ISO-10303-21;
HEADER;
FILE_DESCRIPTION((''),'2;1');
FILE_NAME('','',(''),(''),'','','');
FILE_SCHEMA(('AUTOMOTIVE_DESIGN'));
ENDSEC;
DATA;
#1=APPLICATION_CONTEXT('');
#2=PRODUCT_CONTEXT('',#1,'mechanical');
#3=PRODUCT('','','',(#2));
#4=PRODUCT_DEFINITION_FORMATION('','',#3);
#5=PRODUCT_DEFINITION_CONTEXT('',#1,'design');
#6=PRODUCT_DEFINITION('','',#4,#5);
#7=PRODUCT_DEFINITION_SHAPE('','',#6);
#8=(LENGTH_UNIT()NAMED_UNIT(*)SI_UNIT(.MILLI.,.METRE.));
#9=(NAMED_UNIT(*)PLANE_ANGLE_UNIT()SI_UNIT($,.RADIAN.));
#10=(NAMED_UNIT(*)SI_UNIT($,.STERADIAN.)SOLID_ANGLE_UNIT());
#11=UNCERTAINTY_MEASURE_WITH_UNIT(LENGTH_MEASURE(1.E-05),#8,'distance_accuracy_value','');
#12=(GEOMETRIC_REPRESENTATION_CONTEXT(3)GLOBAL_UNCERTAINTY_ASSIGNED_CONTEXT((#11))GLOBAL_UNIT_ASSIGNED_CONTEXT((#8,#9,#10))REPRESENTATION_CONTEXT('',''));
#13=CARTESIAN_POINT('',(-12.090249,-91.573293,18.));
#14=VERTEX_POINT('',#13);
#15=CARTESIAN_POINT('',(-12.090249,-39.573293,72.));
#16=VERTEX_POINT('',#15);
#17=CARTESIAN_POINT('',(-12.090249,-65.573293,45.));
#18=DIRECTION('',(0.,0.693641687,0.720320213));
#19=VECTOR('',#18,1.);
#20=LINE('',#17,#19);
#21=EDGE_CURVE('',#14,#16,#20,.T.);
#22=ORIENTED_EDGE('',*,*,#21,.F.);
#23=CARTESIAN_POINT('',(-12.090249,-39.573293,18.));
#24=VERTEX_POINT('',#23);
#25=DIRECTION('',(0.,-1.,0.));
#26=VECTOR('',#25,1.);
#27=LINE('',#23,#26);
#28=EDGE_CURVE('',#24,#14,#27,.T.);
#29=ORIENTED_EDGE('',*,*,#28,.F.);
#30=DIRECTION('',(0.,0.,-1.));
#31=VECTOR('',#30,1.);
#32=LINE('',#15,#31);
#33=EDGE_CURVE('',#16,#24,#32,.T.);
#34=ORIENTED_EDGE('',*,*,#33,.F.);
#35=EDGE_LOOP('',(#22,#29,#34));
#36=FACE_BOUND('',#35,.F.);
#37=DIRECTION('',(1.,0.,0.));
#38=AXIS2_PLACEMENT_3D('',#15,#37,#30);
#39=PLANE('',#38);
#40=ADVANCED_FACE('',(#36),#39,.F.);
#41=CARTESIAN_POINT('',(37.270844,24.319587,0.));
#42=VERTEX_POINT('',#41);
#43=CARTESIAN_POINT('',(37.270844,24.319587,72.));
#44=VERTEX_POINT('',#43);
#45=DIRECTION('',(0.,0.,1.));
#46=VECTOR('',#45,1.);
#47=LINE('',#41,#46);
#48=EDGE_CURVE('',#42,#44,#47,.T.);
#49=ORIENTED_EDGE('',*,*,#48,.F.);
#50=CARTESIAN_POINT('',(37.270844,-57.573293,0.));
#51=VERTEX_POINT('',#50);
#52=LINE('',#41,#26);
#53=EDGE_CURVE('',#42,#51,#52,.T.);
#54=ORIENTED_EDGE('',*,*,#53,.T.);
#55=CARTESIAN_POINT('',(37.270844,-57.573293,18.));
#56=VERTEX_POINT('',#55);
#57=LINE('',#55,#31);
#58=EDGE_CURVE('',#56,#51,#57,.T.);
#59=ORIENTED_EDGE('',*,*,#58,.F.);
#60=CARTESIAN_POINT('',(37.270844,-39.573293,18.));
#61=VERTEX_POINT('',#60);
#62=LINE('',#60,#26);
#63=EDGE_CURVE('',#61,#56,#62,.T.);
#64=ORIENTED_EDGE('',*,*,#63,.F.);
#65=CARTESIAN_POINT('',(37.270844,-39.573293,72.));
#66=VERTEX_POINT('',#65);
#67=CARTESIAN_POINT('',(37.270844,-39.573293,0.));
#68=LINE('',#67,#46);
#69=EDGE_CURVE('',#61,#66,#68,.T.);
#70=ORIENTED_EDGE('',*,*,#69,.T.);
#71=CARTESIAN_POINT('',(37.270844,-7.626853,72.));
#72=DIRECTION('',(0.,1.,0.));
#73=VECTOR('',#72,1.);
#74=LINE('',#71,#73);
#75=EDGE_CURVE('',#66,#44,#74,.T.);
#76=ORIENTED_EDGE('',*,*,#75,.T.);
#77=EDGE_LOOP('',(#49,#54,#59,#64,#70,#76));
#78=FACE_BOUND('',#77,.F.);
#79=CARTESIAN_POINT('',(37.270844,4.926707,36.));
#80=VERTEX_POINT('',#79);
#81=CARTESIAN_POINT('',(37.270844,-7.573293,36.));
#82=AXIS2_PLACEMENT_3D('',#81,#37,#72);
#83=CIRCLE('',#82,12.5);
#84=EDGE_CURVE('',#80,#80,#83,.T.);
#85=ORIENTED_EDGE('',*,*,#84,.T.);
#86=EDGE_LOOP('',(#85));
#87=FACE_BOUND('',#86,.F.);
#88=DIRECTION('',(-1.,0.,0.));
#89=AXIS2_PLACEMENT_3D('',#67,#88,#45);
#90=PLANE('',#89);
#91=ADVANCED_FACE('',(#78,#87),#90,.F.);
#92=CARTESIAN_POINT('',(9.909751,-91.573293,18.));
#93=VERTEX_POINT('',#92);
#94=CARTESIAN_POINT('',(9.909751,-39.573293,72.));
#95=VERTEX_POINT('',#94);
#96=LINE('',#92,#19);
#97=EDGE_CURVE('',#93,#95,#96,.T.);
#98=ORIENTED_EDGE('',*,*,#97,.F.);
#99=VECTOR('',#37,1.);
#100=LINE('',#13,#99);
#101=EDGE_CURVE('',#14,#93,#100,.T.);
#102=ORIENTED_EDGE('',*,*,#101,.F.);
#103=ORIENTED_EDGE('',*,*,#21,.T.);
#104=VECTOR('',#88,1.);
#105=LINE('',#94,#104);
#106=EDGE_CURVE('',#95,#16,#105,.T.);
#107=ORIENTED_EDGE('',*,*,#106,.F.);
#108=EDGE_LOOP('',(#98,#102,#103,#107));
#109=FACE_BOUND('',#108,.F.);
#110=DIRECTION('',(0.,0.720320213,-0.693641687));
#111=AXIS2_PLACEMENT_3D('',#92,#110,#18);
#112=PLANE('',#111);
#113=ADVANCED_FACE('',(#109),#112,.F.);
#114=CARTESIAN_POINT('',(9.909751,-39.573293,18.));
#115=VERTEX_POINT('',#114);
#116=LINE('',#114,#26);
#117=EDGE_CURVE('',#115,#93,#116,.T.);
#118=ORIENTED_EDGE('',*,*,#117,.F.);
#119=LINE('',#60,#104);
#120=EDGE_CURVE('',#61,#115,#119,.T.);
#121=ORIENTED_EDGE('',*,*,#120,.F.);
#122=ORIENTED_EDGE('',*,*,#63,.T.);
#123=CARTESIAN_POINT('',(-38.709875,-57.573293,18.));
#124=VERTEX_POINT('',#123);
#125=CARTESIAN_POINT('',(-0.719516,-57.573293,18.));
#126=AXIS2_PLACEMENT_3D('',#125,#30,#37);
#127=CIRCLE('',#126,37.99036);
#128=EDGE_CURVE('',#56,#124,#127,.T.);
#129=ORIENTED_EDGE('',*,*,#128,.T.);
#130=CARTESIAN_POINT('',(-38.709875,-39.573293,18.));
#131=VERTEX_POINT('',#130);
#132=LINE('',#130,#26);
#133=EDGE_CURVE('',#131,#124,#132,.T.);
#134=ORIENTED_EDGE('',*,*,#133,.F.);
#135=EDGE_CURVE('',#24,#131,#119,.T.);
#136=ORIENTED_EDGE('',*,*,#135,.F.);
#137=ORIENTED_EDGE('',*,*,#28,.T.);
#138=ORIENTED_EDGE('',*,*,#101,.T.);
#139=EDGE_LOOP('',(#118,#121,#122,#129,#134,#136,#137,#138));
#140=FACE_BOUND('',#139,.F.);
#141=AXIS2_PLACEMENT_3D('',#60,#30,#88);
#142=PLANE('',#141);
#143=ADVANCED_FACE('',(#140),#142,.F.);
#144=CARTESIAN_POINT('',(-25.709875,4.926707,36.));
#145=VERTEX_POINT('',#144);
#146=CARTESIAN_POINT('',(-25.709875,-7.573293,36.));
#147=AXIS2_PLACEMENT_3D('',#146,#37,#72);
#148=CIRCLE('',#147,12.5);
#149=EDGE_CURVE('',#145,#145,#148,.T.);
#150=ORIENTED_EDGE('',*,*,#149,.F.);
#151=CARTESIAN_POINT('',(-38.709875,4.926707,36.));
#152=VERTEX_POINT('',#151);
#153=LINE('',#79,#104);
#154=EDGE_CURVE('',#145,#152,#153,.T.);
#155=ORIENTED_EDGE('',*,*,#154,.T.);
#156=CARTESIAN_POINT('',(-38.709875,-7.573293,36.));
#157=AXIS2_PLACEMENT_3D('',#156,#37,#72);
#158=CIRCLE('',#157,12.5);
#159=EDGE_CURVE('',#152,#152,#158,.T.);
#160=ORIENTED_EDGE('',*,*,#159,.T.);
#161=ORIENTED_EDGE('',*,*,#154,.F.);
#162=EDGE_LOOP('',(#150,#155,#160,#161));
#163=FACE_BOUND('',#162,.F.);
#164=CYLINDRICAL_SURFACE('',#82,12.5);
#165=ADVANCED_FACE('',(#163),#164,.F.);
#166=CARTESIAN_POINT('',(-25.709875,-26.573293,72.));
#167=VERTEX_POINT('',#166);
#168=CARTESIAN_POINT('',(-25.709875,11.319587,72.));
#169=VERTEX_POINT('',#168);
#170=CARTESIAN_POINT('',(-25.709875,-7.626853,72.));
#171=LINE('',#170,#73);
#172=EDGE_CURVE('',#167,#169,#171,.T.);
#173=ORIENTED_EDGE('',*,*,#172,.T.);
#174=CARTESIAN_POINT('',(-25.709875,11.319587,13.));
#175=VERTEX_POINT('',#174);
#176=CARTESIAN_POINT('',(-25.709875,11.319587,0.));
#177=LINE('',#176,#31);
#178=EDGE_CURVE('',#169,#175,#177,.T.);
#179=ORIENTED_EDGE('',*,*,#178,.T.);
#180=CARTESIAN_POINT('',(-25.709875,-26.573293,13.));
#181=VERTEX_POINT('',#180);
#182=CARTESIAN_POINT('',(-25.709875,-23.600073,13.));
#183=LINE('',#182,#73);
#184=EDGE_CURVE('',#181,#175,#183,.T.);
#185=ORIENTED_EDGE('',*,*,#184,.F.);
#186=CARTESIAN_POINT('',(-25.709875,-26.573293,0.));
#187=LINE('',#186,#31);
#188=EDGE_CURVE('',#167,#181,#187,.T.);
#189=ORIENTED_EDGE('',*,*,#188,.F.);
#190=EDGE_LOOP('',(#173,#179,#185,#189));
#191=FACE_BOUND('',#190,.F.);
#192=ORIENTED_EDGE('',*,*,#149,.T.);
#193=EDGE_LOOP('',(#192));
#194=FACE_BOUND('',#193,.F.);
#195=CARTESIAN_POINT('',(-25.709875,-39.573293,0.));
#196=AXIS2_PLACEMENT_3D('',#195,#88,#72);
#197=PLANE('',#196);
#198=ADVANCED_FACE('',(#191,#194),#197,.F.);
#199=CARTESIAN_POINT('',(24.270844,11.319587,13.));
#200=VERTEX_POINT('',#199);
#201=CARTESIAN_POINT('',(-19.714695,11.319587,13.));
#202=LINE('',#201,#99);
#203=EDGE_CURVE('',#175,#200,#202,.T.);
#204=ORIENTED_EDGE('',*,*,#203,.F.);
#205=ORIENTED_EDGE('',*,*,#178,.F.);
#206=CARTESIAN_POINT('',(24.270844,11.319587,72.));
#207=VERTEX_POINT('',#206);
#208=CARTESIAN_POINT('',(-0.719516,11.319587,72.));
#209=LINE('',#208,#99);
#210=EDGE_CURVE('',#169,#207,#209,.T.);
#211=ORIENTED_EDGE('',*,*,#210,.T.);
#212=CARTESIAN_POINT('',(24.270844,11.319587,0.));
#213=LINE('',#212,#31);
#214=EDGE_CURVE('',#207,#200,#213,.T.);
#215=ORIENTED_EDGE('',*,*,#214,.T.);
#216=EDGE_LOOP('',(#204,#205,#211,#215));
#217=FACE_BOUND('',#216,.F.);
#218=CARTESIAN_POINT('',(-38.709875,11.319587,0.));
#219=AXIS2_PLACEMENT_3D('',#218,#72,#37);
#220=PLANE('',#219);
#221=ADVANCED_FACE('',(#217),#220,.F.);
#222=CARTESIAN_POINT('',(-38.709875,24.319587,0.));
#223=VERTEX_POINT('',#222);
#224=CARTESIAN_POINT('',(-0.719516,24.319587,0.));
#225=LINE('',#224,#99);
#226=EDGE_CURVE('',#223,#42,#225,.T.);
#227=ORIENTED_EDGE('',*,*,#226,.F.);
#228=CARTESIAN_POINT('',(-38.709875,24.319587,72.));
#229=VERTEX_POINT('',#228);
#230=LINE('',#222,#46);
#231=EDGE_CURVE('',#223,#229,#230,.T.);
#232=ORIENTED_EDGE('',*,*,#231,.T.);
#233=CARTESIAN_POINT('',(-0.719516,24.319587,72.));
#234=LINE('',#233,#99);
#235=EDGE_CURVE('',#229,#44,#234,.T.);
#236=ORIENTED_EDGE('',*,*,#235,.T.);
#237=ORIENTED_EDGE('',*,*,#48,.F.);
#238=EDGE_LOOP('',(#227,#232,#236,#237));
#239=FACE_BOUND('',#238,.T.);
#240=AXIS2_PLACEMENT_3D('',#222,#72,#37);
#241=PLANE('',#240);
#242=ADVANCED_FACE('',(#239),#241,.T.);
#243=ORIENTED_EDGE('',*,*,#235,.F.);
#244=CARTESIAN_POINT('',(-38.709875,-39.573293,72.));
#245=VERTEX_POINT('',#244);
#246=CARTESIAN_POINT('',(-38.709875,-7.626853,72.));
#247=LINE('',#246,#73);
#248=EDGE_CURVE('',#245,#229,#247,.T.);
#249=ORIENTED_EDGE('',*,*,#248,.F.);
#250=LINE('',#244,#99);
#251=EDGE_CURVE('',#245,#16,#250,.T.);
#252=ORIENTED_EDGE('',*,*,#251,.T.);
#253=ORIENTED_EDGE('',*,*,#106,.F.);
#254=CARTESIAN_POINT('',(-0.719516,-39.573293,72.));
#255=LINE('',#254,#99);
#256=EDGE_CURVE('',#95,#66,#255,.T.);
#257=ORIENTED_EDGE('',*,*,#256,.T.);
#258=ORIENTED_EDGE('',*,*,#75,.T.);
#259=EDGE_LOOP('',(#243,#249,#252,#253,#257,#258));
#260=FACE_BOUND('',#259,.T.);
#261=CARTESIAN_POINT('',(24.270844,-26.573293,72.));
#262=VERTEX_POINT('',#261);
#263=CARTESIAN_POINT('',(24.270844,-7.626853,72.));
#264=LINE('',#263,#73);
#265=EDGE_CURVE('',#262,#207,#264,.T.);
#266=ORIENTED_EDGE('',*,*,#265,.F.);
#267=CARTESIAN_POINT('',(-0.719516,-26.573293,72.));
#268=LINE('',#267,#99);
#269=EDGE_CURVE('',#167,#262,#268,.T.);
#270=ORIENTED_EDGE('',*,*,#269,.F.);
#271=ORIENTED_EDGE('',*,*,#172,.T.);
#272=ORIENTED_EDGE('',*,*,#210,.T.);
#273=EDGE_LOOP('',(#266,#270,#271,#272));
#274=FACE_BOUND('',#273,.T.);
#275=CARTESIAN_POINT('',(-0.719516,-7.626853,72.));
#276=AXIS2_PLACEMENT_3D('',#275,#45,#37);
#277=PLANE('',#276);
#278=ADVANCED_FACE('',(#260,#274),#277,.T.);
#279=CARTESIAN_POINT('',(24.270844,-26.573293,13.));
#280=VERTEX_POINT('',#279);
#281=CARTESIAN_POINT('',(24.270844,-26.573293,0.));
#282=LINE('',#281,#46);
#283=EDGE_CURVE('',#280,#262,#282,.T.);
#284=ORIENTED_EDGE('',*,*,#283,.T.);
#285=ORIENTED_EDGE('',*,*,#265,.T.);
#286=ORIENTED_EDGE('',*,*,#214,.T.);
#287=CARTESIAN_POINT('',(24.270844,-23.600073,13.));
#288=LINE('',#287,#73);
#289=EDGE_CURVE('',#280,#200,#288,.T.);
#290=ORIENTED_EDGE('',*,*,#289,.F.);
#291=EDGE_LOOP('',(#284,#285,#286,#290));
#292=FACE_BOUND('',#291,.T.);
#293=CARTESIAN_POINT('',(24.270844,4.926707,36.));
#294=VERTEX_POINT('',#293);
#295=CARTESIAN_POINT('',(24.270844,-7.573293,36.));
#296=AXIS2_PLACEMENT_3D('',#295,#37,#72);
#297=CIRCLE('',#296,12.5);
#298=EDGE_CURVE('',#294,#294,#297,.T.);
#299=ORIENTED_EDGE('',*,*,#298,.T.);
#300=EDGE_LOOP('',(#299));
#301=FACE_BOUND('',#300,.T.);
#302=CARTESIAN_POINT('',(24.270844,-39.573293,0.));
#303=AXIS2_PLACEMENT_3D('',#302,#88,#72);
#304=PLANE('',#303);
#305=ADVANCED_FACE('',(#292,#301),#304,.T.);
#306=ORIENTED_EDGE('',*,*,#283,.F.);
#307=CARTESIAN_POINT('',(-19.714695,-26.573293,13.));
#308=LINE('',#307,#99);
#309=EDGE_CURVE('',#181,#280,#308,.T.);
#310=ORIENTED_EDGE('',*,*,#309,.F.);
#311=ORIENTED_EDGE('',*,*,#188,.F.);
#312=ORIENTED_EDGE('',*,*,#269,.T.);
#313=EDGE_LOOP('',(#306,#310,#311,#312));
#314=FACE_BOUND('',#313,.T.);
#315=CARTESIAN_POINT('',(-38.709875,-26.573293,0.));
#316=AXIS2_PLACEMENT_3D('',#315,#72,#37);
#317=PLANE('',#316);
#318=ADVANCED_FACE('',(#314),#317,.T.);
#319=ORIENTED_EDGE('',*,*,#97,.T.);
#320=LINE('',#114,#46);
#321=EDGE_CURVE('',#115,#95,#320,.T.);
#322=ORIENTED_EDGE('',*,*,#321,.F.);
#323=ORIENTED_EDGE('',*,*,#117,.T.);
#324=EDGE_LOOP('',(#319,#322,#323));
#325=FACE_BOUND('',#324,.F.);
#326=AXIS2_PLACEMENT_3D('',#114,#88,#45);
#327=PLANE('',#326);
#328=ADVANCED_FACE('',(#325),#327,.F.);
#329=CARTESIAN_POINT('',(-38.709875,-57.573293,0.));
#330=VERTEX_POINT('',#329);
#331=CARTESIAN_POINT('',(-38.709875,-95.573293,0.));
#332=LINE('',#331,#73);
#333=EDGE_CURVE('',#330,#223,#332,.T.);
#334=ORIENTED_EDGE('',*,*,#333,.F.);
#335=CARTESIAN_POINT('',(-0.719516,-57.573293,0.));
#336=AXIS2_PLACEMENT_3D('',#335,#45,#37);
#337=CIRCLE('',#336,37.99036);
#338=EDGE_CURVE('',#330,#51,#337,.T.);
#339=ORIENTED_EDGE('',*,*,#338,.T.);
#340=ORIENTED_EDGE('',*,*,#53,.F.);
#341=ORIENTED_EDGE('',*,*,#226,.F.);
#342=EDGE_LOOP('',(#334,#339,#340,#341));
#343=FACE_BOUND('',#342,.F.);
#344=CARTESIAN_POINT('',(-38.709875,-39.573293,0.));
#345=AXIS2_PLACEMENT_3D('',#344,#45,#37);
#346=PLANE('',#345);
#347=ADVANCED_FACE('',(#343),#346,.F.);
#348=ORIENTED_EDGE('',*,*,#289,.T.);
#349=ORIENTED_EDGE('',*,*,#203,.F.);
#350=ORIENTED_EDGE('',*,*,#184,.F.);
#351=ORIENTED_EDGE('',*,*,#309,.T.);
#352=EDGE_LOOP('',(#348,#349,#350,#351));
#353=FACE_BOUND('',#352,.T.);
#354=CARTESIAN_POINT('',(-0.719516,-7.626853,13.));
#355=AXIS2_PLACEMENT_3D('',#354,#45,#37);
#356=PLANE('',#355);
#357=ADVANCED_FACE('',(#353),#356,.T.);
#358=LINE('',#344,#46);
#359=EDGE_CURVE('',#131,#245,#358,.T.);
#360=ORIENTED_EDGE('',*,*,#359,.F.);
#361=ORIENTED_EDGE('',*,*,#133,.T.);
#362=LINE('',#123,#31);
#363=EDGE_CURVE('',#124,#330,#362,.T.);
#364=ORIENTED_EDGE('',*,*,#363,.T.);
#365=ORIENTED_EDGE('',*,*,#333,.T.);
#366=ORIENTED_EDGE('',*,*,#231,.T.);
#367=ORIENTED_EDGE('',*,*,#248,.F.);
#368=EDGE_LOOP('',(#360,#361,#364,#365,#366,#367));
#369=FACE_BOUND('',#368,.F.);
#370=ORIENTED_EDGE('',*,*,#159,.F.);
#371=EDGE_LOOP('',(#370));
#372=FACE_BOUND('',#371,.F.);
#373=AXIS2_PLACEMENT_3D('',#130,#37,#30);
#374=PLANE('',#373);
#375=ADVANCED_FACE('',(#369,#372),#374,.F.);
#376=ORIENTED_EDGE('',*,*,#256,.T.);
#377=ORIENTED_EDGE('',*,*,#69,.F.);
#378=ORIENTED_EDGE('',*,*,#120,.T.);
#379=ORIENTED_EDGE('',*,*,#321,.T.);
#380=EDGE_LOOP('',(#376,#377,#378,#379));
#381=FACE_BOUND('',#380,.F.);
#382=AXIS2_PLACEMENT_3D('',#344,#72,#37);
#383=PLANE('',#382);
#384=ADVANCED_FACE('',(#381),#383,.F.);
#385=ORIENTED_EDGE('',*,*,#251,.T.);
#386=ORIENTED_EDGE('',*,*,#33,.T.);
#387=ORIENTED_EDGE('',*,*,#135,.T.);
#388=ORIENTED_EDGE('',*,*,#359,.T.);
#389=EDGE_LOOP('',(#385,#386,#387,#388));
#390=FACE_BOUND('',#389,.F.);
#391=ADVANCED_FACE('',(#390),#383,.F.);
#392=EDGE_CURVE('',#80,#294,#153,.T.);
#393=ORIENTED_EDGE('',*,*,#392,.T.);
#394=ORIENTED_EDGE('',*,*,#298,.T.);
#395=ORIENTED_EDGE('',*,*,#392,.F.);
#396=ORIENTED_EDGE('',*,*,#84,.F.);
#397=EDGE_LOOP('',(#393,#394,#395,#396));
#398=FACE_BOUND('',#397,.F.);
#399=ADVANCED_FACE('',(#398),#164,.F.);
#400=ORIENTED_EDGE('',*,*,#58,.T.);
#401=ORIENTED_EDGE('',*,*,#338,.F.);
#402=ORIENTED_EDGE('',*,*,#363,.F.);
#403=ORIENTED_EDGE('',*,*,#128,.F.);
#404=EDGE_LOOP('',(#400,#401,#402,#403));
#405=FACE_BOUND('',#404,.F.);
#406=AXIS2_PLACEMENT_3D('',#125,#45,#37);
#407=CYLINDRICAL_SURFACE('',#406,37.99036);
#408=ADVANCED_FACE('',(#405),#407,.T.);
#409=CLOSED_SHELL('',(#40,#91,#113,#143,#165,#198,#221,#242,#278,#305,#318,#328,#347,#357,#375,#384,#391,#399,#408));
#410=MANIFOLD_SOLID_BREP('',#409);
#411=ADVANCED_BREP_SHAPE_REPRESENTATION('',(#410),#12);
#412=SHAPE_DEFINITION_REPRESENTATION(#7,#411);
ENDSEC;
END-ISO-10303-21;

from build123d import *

# Parameters (mm, degrees)
F0_W      = 75.9807191789
F0_H      = 63.8928804547
F1_DEPTH  = 72
F2_T      = -13
F3_R      = 12.5
F4_DEPTH  = 100
F6_DEPTH  = 56
F8_DEPTH  = 52
F10_DEPTH = 25
F12_DEPTH = 25


with BuildPart() as f1:
    # F0 (on Top) → F1 (new body)
    with BuildSketch(Plane.XY):
        with Locations((-0.7195156068, -7.6268529519)):
            Rectangle(F0_W, F0_H)
    extrude(amount=F1_DEPTH)

    # F2
    f2_openings = [f1.faces().sort_by_distance(p)[0] for p in [
        (-0.719516, -7.626853, 72),
    ]]
    offset(amount=F2_T, openings=f2_openings)

    # F3 (on face) → F4 (cut)
    with BuildSketch(Plane.YZ.offset(37.2708439827)):
        with Locations((-7.5732931793, 36)):
            Circle(F3_R)
    extrude(amount=-F4_DEPTH, mode=Mode.SUBTRACT)

    # F5 (on face) → F6 (join)
    with BuildSketch(Plane.XZ.offset(39.5732931793)):
        Polygon((-38.7098751962, 0), (37.2708439827, 0), (37.2708439827, 18), (10.2804843932, 18), (-11.7195156068, 18), (-38.7098751962, 18), align=None)
    extrude(amount=F6_DEPTH)

    # F7 (on face) → F8 (join)
    with BuildSketch(Plane.XZ.offset(39.5732931793)):
        Polygon((-0.7098751962, 72), (-12.0902489871, 72), (-12.0902489871, 18), (9.9097510129, 18), (9.9097510129, 72), align=None)
    extrude(amount=F8_DEPTH)

    # F9 (on face) → F10 (cut)
    with BuildSketch(Plane.YZ.offset(9.9097510129)):
        Polygon((-91.5732931793, 72), (-91.5732931793, 18), (-39.5732931793, 72), align=None)
    extrude(amount=-F10_DEPTH, mode=Mode.SUBTRACT)

    # F11 (on face) → F12 (cut)
    with BuildSketch(Plane.XY.offset(18)):
        with BuildLine():
            ThreePointArc((37.2708439827, -57.5732931793), (-0.7195156068, -95.5636527687), (-38.7098751962, -57.5732931793))
            Line((-38.7098751962, -57.5732931793), (-38.7098751962, -95.5732931793))
            Line((-38.7098751962, -95.5732931793), (37.2708439827, -95.5732931793))
            Line((37.2708439827, -95.5732931793), (37.2708439827, -57.5732931793))
        make_face()
    extrude(amount=-F12_DEPTH, mode=Mode.SUBTRACT)


solid = f1.part
